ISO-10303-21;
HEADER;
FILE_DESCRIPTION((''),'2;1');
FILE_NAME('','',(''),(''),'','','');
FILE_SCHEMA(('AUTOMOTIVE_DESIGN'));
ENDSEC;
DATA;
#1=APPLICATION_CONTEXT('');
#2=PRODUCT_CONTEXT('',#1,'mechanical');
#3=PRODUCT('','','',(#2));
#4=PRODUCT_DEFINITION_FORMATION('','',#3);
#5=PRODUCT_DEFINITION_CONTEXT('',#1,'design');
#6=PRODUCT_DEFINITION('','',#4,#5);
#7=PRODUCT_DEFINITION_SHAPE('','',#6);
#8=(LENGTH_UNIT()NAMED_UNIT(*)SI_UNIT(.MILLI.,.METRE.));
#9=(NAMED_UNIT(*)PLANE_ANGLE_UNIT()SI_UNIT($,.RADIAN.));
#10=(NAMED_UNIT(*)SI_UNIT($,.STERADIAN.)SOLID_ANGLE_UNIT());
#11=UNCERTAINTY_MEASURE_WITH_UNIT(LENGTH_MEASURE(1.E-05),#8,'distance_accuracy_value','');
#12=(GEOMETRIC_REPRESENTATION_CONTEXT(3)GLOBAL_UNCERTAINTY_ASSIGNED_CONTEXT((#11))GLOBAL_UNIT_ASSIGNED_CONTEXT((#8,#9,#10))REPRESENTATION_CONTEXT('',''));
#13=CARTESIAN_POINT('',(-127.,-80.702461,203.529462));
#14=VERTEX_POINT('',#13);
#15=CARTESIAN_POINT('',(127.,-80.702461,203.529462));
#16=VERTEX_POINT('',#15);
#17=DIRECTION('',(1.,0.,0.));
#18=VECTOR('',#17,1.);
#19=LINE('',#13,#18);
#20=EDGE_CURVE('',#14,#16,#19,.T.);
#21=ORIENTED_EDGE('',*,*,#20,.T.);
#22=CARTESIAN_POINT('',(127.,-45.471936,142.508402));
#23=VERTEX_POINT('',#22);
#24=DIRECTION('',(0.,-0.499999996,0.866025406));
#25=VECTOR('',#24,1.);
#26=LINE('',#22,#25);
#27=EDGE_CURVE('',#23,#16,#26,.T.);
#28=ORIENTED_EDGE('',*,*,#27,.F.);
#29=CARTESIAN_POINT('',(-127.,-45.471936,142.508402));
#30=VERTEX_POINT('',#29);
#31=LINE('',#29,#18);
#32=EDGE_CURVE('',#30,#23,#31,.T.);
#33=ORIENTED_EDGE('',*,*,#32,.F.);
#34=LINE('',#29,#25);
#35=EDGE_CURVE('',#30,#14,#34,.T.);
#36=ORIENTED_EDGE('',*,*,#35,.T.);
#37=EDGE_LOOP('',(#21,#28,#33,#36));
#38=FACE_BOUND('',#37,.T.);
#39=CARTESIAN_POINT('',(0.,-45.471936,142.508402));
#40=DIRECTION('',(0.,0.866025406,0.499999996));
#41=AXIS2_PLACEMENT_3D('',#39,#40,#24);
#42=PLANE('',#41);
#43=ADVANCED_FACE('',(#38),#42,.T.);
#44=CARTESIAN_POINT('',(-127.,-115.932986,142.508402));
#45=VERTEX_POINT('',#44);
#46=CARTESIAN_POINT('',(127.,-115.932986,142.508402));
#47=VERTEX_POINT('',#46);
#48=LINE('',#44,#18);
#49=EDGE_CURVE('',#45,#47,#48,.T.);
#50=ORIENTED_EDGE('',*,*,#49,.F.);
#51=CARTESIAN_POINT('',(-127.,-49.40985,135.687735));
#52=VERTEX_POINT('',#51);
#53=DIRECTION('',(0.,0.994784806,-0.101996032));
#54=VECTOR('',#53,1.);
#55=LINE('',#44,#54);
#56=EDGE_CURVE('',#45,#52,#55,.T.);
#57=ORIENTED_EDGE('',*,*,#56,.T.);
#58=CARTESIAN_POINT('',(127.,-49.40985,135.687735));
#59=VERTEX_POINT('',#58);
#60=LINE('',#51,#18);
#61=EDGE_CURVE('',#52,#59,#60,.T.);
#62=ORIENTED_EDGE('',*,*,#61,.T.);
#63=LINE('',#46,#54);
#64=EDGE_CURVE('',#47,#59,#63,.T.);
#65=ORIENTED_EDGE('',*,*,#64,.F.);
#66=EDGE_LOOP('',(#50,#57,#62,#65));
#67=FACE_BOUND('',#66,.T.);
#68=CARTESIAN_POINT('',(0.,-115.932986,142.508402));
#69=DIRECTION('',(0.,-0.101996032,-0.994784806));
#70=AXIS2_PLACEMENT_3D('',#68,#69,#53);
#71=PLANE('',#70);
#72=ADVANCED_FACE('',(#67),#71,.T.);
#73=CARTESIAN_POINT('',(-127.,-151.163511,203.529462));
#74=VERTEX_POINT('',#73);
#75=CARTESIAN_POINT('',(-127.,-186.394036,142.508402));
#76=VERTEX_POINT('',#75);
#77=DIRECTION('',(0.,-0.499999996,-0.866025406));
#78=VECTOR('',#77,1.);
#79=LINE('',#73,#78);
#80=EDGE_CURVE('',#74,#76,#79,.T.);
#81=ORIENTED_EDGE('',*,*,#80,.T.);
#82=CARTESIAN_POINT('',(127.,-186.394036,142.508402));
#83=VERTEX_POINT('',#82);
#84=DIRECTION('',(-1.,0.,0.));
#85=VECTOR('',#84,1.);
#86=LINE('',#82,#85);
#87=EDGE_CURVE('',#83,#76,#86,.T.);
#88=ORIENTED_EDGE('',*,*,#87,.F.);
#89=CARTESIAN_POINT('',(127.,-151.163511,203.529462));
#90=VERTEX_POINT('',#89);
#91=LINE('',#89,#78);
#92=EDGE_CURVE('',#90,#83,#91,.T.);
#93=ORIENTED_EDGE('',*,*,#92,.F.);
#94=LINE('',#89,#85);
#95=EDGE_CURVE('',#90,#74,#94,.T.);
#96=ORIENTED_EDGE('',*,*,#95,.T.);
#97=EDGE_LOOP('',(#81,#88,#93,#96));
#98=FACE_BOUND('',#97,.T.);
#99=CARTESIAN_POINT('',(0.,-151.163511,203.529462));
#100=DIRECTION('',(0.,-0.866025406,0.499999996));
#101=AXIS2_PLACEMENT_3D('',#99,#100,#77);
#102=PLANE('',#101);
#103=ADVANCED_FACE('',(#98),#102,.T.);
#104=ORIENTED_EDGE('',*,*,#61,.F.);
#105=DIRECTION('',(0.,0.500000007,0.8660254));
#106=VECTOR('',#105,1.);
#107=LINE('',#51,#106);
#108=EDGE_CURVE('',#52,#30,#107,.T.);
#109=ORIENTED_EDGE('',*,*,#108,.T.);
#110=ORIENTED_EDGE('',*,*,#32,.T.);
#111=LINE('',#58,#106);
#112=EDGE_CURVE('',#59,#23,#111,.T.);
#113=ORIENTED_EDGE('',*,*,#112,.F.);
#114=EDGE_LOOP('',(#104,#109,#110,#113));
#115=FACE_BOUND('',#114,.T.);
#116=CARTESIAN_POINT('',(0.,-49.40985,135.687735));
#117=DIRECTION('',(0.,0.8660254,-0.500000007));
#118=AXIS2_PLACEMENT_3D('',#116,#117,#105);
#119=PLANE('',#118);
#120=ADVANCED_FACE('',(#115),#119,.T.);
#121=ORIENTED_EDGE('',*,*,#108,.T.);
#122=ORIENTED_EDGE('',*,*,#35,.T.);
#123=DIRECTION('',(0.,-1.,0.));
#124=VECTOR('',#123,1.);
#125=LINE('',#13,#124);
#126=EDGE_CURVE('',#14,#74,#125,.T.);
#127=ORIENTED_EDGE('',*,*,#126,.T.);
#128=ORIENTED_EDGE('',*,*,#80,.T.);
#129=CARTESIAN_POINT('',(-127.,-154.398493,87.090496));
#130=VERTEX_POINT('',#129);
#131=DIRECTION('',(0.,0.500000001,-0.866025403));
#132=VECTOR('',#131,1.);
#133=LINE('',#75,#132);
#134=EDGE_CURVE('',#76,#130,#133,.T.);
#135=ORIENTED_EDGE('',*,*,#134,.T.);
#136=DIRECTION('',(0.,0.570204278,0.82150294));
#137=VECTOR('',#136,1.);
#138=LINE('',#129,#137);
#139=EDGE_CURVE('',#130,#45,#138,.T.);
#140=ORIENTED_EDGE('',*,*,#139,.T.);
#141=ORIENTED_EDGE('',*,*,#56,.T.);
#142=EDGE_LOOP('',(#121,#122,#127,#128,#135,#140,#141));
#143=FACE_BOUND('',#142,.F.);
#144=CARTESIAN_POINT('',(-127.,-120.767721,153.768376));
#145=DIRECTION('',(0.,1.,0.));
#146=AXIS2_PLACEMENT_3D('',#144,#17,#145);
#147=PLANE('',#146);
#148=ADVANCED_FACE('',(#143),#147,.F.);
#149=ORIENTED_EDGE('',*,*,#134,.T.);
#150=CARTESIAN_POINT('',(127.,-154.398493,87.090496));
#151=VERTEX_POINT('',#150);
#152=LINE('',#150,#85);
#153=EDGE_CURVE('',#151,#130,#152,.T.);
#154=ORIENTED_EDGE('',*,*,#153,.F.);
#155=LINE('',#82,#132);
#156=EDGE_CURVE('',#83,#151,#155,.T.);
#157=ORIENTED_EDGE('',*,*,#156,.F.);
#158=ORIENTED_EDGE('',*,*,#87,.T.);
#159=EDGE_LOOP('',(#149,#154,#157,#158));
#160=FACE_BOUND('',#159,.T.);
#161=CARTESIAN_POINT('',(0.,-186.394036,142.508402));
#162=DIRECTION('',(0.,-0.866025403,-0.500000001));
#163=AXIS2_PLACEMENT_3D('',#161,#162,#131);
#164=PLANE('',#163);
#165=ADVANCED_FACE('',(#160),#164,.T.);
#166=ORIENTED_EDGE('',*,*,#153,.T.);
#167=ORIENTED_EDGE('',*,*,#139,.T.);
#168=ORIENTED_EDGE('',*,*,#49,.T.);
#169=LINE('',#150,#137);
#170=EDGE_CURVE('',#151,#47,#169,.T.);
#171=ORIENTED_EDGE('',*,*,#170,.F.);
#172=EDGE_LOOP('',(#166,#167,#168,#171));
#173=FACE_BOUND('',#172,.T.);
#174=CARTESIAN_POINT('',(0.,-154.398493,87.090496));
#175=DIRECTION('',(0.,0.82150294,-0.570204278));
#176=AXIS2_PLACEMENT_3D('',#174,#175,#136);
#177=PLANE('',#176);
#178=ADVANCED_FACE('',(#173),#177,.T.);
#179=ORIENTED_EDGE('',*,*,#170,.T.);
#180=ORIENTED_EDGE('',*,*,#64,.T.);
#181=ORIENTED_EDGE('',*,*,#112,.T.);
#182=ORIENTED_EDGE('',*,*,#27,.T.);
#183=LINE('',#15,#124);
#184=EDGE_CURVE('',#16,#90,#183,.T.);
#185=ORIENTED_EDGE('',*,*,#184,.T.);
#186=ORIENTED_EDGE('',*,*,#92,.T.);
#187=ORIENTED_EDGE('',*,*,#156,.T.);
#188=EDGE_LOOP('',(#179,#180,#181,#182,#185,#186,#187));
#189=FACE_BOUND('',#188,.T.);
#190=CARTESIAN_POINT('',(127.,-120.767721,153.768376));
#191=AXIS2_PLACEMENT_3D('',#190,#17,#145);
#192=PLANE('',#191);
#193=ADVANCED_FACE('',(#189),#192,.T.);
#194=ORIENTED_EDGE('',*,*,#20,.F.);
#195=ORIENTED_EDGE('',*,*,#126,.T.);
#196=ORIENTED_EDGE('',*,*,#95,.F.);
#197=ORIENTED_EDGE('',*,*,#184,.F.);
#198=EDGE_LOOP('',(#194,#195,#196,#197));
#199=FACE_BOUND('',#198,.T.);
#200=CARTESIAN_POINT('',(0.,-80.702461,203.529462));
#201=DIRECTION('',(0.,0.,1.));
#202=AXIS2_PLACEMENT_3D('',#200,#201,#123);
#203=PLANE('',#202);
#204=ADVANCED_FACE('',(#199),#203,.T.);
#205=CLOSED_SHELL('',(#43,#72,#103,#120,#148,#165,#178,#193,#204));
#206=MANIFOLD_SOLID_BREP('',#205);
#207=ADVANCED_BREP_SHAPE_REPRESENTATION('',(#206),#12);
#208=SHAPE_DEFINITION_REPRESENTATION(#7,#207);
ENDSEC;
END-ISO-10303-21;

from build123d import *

# Parameters (mm, degrees)
F1_DEPTH = 127


with BuildPart() as f1:
    # F0 (on Right) → F1 (new body, symmetric)
    with BuildSketch(Plane.YZ):
        Polygon((-154.398493, 87.090496), (-115.932986, 142.508402), (-49.40985, 135.687735), (-45.471936, 142.508402), (-80.702461, 203.529462), (-151.163511, 203.529462), (-186.394036, 142.508402), align=None)
    extrude(amount=F1_DEPTH, both=True)


solid = f1.part
